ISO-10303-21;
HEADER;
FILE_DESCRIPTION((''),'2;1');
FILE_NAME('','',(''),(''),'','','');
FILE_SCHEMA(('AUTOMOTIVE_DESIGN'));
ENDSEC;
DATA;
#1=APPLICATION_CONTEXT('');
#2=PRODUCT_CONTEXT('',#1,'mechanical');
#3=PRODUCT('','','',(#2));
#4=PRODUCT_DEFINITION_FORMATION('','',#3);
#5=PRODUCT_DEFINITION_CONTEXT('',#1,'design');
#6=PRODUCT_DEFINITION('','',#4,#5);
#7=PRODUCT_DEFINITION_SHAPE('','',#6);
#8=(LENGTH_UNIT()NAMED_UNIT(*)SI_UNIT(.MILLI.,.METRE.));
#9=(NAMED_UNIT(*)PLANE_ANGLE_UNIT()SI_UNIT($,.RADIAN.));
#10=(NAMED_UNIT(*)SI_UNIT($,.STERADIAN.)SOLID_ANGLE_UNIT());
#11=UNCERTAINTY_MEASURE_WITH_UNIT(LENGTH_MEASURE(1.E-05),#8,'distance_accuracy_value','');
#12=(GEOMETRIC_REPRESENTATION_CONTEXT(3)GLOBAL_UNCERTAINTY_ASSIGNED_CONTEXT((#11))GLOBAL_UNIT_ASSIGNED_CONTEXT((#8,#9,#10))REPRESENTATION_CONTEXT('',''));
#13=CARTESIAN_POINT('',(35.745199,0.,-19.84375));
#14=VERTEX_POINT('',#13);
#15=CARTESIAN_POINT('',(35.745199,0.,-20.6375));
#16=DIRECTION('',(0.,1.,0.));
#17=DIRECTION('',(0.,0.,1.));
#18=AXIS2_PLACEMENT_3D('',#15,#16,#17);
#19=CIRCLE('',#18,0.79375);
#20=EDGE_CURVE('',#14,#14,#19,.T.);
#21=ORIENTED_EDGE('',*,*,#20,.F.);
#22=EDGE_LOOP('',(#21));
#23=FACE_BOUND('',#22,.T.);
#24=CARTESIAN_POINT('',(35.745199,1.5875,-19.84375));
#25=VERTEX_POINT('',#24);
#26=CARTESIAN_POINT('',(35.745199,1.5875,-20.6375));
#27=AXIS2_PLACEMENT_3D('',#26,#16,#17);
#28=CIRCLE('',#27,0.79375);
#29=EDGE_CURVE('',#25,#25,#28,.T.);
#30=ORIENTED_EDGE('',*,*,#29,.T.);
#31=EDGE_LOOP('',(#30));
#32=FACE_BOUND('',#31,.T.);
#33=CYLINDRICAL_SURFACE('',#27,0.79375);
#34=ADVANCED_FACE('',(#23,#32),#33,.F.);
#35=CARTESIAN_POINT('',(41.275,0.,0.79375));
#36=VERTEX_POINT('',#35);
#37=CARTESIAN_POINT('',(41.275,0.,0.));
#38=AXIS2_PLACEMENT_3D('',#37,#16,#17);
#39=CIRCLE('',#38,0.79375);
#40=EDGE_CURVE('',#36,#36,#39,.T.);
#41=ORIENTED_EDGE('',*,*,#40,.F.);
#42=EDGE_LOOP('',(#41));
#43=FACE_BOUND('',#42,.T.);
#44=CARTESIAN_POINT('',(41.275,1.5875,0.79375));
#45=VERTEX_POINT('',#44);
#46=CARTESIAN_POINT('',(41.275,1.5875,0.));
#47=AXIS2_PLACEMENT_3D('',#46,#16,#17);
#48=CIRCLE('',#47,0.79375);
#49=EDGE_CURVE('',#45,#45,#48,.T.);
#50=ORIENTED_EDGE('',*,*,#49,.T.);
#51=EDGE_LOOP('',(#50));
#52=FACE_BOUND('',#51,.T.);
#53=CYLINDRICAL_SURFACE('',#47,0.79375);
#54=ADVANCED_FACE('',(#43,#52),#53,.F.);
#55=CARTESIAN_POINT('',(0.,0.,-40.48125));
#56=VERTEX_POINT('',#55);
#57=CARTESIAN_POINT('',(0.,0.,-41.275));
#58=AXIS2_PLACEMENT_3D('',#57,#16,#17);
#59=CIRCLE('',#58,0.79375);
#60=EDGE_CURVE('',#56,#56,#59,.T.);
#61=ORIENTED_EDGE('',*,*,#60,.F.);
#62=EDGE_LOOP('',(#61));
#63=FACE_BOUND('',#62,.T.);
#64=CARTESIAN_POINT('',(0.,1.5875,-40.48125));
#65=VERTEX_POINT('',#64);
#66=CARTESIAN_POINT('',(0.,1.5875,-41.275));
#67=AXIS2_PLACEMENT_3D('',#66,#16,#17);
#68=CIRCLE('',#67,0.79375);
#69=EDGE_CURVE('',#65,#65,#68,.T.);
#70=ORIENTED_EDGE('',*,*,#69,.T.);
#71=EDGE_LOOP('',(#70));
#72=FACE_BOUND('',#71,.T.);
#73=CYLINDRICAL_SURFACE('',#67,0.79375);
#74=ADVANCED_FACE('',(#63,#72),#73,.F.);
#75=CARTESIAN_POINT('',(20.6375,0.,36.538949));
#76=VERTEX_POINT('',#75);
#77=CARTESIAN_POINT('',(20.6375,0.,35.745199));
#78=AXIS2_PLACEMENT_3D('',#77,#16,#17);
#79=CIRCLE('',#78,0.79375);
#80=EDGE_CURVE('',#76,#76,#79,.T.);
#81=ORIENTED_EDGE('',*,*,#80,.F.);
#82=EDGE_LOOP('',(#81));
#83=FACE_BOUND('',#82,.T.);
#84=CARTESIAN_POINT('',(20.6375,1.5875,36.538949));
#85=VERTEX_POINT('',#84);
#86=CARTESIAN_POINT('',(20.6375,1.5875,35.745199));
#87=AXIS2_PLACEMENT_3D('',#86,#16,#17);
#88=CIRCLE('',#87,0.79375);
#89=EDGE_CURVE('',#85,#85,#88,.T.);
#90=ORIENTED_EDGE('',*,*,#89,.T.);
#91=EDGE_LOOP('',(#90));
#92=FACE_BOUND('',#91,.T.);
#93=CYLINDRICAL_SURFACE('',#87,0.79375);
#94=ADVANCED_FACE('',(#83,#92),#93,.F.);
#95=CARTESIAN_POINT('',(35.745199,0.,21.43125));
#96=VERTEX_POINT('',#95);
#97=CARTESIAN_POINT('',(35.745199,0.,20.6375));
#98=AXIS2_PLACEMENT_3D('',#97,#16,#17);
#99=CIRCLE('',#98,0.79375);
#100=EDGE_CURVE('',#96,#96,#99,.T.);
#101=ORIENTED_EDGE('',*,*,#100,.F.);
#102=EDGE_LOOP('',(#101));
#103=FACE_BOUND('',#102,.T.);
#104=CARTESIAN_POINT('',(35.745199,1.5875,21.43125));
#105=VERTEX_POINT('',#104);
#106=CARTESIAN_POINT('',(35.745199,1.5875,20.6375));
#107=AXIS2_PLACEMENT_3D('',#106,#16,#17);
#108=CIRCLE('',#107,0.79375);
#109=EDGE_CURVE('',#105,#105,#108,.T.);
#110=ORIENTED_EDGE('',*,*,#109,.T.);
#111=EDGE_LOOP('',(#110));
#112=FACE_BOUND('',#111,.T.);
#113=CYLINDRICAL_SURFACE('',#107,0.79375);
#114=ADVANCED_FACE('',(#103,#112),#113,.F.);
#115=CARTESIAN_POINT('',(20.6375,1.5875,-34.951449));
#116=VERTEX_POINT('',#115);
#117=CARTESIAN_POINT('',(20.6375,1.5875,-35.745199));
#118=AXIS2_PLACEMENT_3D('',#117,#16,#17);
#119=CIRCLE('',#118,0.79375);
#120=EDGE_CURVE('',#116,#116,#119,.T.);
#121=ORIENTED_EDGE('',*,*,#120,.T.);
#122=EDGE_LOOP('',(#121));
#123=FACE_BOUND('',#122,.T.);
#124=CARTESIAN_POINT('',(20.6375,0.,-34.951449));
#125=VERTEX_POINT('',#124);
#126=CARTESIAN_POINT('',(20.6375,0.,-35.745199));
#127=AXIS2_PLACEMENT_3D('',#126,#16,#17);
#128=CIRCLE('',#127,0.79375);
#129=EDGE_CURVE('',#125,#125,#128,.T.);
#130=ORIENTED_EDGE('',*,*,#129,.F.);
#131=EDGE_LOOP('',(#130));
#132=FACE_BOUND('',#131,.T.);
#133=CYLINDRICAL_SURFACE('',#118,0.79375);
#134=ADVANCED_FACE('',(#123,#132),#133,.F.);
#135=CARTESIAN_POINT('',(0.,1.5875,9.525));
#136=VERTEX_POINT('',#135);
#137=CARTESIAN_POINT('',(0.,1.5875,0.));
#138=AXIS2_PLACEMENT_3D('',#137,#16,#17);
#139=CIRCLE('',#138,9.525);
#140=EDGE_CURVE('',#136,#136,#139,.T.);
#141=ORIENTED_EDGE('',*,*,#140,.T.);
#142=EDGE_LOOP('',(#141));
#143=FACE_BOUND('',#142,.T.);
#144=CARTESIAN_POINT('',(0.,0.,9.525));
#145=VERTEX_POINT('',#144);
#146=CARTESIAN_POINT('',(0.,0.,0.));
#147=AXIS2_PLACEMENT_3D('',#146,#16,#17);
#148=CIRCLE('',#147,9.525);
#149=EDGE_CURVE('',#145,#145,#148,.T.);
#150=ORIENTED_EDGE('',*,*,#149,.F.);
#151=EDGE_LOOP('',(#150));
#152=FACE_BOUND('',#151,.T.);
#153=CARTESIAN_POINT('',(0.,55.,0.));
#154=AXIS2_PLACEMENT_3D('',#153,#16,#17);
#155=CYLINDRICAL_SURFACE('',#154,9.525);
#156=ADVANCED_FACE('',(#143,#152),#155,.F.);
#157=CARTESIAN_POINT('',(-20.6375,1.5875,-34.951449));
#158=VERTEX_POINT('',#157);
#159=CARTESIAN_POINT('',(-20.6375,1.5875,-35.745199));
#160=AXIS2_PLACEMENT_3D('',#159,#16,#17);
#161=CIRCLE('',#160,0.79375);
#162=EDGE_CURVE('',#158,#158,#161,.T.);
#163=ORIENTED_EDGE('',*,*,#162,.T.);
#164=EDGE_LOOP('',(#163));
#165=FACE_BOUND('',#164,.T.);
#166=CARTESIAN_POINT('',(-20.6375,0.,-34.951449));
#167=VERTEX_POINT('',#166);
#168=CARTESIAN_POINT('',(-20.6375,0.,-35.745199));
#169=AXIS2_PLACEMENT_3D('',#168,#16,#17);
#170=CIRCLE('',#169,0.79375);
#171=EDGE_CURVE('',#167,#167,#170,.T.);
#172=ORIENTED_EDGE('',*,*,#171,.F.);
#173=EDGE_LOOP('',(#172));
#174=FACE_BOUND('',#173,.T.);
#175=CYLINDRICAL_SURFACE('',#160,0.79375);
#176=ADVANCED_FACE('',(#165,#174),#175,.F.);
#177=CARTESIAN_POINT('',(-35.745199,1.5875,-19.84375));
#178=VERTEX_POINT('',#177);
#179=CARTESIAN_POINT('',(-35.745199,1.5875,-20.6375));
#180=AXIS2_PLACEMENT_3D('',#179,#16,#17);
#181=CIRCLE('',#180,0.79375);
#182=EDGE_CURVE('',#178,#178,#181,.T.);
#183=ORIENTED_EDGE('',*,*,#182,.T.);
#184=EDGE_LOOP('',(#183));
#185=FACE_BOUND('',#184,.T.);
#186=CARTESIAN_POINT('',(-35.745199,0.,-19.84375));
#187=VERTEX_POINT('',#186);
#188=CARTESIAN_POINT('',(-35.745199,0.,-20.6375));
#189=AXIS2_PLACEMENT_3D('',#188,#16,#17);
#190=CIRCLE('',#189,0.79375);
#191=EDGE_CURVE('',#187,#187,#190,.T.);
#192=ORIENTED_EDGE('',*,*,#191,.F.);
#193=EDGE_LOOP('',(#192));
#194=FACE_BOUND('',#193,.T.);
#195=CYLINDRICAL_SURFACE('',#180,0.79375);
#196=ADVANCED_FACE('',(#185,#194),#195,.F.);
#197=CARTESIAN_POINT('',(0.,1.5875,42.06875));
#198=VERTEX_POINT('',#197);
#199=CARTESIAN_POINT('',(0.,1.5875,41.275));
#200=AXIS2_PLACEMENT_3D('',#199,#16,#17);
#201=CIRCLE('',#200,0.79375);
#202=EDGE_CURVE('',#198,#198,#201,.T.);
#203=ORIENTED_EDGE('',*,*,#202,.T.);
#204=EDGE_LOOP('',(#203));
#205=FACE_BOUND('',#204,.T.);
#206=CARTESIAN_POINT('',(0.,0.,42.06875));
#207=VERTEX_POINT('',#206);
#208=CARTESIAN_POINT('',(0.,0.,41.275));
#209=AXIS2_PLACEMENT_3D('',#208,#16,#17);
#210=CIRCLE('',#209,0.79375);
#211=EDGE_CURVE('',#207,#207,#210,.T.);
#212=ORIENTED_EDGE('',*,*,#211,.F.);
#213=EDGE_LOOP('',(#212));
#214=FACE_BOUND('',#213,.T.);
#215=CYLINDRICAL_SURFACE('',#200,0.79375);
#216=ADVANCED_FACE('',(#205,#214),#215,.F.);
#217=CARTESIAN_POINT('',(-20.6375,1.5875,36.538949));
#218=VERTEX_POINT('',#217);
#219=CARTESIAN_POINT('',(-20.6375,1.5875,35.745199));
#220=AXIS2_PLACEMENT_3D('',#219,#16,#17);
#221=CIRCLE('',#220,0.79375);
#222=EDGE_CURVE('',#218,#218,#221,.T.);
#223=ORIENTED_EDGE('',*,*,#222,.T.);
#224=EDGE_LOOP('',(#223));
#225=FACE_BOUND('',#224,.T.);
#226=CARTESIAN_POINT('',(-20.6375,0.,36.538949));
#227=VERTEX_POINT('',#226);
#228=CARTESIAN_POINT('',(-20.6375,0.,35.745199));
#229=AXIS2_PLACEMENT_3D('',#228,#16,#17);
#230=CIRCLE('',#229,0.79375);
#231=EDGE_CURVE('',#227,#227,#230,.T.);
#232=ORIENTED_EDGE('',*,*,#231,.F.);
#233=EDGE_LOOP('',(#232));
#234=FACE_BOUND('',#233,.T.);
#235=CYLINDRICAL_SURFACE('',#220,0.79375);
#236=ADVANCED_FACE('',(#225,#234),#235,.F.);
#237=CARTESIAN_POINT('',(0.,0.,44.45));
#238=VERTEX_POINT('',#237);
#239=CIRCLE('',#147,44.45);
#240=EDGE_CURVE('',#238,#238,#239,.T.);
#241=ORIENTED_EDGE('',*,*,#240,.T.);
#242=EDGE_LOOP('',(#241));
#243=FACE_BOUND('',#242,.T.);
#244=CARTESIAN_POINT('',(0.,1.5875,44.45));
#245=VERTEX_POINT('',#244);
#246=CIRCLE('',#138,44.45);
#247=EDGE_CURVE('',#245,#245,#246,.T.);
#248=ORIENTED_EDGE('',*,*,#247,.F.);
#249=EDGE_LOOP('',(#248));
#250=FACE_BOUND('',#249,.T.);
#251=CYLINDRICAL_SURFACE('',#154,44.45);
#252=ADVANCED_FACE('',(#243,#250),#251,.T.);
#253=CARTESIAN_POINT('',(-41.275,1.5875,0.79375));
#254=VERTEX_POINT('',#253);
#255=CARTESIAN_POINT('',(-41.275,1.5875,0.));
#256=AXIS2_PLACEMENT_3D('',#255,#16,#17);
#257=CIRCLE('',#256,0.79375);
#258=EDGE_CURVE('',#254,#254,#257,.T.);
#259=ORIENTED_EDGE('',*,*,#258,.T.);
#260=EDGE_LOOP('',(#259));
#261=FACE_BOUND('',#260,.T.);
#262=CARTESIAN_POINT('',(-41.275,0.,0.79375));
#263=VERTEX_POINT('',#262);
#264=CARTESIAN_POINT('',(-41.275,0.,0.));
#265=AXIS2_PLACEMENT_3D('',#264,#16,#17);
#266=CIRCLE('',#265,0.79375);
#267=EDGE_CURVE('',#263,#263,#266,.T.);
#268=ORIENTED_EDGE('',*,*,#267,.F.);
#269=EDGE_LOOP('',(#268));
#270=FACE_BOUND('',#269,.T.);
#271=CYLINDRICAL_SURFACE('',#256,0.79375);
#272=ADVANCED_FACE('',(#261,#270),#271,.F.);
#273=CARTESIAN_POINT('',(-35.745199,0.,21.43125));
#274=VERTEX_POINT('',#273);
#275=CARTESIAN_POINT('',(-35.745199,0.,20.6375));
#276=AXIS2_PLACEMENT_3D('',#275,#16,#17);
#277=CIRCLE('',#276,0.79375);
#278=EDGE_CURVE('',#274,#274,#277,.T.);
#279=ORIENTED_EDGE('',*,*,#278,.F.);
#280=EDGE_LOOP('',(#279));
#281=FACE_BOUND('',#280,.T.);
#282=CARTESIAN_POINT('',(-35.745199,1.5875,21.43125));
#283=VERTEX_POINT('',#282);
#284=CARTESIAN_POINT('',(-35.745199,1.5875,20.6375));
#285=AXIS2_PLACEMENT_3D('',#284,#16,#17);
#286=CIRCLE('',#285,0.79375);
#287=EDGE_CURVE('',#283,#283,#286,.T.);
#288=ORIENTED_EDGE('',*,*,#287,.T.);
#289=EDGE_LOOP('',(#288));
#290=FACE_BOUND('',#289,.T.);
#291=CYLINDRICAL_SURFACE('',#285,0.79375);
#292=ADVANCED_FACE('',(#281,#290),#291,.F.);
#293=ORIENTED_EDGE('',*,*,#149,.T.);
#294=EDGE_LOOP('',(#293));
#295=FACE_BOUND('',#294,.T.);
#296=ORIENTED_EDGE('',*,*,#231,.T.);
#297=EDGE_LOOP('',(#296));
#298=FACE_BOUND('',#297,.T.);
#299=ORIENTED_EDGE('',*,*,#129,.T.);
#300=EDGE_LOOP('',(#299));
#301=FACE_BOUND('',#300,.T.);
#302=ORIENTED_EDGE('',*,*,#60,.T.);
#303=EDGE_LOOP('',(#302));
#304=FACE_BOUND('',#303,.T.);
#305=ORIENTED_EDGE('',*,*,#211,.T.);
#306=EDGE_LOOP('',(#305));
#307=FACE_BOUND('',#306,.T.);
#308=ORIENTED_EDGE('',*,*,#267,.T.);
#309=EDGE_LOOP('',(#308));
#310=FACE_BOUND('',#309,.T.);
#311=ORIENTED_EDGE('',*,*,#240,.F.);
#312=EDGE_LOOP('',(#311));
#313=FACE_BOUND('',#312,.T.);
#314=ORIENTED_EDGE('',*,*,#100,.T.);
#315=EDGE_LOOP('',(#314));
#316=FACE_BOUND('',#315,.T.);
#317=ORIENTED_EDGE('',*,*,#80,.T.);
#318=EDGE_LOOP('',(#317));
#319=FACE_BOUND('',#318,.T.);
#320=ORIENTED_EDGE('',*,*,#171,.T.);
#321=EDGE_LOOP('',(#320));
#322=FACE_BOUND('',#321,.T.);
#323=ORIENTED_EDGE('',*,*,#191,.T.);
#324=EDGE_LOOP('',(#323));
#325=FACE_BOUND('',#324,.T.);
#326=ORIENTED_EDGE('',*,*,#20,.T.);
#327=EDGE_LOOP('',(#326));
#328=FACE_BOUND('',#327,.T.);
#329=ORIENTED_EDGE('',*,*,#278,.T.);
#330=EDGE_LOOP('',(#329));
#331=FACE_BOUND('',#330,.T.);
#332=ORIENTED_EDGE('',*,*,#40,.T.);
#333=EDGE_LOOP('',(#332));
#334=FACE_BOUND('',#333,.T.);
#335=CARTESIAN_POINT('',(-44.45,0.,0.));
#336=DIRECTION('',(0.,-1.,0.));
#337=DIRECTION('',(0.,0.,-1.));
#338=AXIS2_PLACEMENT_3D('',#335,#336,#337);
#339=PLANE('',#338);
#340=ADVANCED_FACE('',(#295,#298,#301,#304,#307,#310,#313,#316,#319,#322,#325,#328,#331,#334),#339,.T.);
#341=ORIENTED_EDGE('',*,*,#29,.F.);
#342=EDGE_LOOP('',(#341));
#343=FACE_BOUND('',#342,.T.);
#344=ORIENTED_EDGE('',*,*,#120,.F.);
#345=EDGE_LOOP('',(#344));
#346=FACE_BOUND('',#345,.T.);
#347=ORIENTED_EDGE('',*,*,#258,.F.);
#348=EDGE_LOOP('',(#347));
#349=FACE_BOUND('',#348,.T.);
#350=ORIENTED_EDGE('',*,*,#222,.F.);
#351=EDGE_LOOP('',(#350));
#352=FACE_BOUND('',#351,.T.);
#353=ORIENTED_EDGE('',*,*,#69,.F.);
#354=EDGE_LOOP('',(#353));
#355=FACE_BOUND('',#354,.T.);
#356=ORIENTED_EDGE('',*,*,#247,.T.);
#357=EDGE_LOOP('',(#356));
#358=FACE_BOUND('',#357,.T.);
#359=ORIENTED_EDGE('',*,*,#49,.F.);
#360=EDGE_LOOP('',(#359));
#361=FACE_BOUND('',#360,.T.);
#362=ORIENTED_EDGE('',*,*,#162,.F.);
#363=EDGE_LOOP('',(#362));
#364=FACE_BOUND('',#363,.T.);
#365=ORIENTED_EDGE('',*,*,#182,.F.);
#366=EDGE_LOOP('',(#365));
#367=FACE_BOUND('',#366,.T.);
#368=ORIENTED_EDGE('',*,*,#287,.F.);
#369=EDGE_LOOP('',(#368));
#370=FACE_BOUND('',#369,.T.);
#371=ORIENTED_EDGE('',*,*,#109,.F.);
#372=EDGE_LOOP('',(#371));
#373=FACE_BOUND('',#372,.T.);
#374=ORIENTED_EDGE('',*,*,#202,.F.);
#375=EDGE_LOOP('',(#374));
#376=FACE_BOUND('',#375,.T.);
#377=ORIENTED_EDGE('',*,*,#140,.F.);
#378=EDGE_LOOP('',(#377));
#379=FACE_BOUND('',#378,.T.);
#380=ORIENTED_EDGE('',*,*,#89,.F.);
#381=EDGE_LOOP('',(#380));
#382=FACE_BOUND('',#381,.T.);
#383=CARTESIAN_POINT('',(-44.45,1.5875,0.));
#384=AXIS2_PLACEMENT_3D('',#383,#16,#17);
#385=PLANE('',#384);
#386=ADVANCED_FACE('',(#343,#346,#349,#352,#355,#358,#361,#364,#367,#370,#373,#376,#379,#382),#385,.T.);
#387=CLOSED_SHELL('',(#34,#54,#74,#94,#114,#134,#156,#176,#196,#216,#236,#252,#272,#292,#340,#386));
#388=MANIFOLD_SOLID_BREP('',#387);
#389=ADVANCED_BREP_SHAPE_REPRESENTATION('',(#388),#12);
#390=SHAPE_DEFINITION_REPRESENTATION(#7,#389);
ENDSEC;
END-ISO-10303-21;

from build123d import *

# Parameters (mm, degrees)
SKETCH1_W                      = 34.925
SKETCH1_H                      = 1.5875
F_1_16_0_0625_DIAMETER_HOLE1_D = 1.5875
CIRPATTERN1_COUNT              = 12


with BuildPart() as part:
    # Sketch1 → Revolve1 (revolve)
    with BuildSketch(Plane.XY):
        with Locations((-26.9875, 0.79375)):
            Rectangle(SKETCH1_W, SKETCH1_H)
    revolve(axis=Axis((0, 55, 0), (0, -1, 0)))

    # 1/16 (0.0625) Diameter Hole1 (through all)
    with Locations(Plane(origin=(0, 1.5875, 0), x_dir=(1, 0, 0), z_dir=(0, 1, 0))):
        with Locations((-41.275, 0)):
            f_1_16_0_0625_diameter_hole1 = Hole(F_1_16_0_0625_DIAMETER_HOLE1_D / 2)

    # CirPattern1: 1/16 (0.0625) Diameter Hole1 ×12 about axis
    cirpattern1_axis = Axis((0, 0, 0), (0, 1, 0))
    for i in range(1, CIRPATTERN1_COUNT):
        add(f_1_16_0_0625_diameter_hole1.rotate(cirpattern1_axis, i * 360 / CIRPATTERN1_COUNT), mode=Mode.SUBTRACT)


solid = part.part
